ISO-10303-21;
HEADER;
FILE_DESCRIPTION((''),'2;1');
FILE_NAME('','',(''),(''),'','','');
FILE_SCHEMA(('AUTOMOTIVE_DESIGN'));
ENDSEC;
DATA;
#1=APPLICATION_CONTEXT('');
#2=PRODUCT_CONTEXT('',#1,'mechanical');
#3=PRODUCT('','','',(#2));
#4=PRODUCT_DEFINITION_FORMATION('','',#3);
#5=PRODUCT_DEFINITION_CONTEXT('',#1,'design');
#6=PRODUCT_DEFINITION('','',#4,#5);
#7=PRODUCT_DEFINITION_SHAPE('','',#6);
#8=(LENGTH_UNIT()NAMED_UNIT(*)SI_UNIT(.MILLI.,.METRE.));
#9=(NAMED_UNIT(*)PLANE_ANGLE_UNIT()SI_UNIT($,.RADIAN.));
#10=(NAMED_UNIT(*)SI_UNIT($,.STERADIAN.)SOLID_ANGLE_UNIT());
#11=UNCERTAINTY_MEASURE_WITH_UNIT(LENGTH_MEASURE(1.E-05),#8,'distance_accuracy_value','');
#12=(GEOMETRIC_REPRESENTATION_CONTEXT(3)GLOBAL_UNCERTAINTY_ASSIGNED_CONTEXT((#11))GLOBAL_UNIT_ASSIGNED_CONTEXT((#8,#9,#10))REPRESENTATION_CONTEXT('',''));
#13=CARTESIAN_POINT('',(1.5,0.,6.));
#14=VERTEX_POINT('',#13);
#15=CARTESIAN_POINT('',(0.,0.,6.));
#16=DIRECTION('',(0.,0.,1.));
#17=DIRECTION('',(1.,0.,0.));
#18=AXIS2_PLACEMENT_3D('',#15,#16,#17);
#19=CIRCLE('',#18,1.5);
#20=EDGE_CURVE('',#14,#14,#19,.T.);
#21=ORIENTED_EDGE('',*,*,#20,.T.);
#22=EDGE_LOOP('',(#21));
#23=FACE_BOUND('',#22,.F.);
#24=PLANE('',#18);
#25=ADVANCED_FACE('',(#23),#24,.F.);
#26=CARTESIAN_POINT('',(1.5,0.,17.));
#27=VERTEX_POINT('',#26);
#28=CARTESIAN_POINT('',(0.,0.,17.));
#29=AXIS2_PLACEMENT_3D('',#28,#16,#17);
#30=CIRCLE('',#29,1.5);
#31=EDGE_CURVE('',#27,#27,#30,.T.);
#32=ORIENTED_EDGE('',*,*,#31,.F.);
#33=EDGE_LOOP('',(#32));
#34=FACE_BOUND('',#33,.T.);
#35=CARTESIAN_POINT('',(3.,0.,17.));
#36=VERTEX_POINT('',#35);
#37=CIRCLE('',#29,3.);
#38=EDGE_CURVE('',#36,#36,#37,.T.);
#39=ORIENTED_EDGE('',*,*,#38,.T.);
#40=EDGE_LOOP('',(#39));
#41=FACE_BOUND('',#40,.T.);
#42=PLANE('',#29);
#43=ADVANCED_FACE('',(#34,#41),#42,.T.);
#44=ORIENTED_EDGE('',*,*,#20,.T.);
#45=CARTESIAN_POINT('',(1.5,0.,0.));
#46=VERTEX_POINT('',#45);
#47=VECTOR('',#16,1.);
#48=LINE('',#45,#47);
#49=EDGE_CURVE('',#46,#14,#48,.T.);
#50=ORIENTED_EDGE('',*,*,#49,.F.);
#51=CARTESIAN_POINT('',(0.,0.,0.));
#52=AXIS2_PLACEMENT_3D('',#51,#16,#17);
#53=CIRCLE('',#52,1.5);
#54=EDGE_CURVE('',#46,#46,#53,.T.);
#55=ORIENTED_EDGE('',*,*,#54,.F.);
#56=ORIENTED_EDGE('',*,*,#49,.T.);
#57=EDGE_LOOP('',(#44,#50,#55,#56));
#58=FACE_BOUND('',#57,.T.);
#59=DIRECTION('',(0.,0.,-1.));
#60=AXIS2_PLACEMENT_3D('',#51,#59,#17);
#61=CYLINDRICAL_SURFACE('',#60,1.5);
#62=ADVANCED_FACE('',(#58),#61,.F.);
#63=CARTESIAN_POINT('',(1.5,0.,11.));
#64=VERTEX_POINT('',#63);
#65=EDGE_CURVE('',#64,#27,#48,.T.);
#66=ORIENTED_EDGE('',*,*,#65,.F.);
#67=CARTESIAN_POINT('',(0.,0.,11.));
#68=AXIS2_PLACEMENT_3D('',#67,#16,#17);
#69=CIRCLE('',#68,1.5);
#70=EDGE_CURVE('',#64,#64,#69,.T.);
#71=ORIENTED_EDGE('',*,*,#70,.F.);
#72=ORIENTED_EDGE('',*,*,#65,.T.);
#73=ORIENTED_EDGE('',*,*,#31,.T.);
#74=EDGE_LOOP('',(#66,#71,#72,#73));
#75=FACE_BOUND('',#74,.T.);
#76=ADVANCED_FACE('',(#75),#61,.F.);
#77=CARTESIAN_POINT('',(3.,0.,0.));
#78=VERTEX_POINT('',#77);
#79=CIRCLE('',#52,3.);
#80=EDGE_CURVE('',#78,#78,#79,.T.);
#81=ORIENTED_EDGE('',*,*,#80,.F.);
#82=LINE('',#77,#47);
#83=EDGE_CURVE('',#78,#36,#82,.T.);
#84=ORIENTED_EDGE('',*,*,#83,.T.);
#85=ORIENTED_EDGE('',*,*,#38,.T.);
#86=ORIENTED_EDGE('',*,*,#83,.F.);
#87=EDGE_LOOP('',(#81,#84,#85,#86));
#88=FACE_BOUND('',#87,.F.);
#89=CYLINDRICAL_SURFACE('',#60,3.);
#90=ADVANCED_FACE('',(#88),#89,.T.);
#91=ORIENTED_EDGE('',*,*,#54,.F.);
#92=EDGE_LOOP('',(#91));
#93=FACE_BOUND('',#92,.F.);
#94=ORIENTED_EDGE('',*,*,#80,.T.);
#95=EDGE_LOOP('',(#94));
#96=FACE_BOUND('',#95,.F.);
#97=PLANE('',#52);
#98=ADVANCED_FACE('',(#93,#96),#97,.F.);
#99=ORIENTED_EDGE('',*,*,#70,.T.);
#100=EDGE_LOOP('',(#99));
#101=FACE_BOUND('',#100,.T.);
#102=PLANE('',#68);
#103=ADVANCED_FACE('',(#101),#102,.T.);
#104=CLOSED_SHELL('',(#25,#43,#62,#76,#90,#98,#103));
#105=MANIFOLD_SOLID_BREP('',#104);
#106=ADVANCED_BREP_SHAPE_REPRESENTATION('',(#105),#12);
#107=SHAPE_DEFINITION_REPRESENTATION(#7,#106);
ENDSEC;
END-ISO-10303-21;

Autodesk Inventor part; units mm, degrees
ref_plane "YZ Plane" through (0, 0, 0) normal (1, 0, 0) x (0, 1, 0)
ref_plane "XZ Plane" through (0, 0, 0) normal (0, 1, 0) x (-1, 0, 0)
sketch "スケッチ1" plane through (0, 0, 0) normal (0, 0, 1) x (1, 0, 0)
  circle A0 centre (0, 0) radius 3
  circle A1 centre (0, 0) radius 1.5
  dimension "d0" = 6
  dimension "d1" = 3
extrude "押し出し1" add sketch "スケッチ1" along normal blind 17
ref_plane "作業平面1" through (0, 0, 11) normal (0, 0, 1) x (1, 0, 0)
sketch "スケッチ2" plane through (0, 0, 11) normal (0, 0, 1) x (1, 0, 0)
  circle A0 centre (0, 0) radius 1.5 projected
  circle A1 centre (0, 0) radius 3 projected
extrude "押し出し2" add sketch "スケッチ2" against normal blind 5 contours A0
properties part number "スペーサーm3-17　簡易筒型" material "アルミニウム 2014-T4"
